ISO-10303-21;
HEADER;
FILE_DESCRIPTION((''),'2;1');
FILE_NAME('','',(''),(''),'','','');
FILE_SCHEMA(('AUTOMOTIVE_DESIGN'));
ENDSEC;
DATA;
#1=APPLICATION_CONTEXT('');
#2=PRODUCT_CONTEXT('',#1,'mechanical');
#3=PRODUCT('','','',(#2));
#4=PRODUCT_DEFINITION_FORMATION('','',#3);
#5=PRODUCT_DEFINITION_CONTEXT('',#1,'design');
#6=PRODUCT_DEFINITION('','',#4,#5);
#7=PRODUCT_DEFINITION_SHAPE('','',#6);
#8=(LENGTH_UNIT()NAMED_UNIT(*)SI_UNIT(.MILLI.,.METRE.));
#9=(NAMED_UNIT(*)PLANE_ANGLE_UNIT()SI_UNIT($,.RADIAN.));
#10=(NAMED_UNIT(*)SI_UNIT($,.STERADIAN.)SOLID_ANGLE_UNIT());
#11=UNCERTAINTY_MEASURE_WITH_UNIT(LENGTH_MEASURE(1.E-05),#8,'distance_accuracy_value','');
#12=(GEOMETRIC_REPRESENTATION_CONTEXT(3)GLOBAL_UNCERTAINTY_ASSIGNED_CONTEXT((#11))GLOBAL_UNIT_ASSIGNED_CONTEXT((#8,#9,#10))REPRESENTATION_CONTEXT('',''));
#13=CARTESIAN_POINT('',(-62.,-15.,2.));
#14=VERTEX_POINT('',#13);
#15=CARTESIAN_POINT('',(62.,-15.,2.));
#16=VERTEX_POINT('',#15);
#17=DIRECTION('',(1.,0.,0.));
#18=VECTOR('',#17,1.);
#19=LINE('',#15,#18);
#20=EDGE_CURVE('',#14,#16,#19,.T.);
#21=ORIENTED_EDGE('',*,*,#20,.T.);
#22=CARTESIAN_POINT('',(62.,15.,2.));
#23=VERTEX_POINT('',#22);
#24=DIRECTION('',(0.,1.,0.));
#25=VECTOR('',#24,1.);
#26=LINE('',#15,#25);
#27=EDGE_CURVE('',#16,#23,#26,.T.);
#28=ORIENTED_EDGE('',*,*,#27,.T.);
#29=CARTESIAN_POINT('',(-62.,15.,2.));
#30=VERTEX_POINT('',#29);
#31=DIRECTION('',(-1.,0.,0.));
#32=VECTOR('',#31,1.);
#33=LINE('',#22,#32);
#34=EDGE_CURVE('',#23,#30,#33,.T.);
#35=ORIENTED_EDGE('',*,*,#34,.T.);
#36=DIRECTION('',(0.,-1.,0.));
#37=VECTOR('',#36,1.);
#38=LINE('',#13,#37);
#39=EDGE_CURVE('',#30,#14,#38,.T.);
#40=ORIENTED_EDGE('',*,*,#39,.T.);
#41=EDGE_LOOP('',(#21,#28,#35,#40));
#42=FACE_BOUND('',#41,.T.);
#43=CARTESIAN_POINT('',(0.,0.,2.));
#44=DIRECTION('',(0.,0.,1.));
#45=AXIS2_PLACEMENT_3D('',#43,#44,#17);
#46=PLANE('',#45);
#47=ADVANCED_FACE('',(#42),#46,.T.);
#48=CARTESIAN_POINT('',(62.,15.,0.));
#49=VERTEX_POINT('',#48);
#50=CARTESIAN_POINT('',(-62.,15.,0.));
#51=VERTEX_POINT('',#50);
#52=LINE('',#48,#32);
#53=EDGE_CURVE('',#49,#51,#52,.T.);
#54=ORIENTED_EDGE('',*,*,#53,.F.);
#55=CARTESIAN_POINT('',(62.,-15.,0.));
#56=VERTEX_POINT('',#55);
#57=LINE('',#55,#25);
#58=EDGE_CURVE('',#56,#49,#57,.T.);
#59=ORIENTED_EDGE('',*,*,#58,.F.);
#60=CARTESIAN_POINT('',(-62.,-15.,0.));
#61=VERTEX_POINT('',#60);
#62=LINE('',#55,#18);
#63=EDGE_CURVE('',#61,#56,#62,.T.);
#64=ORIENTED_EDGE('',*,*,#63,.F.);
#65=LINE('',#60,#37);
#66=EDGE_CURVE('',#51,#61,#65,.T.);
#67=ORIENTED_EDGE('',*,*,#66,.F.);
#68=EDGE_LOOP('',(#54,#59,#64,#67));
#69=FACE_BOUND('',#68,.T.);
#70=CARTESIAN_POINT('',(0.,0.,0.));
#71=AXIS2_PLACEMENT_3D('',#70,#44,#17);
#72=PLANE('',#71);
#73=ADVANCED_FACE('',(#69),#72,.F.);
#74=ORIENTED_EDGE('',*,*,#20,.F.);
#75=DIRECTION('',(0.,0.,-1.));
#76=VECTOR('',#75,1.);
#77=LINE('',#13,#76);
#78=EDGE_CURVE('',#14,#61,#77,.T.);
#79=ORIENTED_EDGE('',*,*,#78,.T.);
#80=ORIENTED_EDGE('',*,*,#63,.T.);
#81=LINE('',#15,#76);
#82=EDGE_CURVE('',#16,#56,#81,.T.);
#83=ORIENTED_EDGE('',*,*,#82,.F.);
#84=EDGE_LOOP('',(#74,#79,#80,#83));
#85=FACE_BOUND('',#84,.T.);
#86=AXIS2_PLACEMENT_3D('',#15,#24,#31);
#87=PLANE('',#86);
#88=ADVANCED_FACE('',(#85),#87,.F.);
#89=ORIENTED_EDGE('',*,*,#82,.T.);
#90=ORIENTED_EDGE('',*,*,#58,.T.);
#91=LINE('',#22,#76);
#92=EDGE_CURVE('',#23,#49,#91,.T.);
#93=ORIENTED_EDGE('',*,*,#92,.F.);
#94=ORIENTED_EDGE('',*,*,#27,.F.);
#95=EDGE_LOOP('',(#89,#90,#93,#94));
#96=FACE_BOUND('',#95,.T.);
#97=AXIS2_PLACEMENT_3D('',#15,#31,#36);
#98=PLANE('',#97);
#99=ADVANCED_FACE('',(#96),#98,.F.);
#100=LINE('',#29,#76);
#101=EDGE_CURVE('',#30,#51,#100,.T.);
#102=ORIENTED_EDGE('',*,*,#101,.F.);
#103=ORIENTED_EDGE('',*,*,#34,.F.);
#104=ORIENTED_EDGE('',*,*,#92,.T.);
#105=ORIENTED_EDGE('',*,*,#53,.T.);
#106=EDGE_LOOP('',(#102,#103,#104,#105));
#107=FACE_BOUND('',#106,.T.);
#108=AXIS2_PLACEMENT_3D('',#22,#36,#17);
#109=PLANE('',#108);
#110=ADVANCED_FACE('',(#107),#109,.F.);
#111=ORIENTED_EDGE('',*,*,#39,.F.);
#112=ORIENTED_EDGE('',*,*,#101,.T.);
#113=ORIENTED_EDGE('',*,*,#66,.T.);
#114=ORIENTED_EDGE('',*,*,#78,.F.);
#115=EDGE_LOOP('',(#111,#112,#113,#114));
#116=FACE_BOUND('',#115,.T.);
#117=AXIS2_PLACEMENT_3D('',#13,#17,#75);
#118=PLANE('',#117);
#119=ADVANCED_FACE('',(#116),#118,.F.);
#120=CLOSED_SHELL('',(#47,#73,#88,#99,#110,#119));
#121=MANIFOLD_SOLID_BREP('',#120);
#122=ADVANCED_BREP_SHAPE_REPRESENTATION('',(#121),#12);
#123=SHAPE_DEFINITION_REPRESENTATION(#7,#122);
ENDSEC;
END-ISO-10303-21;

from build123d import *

# Parameters (mm, degrees)
SKETCH_1_W      = 124
SKETCH_1_H      = 30
EXTRUDE_1_DEPTH = 2


with BuildPart() as part:
    # 草图1 → 凸台-拉伸1 (new body)
    with BuildSketch(Plane.XY):
        Rectangle(SKETCH_1_W, SKETCH_1_H)
    extrude(amount=EXTRUDE_1_DEPTH)


solid = part.part
